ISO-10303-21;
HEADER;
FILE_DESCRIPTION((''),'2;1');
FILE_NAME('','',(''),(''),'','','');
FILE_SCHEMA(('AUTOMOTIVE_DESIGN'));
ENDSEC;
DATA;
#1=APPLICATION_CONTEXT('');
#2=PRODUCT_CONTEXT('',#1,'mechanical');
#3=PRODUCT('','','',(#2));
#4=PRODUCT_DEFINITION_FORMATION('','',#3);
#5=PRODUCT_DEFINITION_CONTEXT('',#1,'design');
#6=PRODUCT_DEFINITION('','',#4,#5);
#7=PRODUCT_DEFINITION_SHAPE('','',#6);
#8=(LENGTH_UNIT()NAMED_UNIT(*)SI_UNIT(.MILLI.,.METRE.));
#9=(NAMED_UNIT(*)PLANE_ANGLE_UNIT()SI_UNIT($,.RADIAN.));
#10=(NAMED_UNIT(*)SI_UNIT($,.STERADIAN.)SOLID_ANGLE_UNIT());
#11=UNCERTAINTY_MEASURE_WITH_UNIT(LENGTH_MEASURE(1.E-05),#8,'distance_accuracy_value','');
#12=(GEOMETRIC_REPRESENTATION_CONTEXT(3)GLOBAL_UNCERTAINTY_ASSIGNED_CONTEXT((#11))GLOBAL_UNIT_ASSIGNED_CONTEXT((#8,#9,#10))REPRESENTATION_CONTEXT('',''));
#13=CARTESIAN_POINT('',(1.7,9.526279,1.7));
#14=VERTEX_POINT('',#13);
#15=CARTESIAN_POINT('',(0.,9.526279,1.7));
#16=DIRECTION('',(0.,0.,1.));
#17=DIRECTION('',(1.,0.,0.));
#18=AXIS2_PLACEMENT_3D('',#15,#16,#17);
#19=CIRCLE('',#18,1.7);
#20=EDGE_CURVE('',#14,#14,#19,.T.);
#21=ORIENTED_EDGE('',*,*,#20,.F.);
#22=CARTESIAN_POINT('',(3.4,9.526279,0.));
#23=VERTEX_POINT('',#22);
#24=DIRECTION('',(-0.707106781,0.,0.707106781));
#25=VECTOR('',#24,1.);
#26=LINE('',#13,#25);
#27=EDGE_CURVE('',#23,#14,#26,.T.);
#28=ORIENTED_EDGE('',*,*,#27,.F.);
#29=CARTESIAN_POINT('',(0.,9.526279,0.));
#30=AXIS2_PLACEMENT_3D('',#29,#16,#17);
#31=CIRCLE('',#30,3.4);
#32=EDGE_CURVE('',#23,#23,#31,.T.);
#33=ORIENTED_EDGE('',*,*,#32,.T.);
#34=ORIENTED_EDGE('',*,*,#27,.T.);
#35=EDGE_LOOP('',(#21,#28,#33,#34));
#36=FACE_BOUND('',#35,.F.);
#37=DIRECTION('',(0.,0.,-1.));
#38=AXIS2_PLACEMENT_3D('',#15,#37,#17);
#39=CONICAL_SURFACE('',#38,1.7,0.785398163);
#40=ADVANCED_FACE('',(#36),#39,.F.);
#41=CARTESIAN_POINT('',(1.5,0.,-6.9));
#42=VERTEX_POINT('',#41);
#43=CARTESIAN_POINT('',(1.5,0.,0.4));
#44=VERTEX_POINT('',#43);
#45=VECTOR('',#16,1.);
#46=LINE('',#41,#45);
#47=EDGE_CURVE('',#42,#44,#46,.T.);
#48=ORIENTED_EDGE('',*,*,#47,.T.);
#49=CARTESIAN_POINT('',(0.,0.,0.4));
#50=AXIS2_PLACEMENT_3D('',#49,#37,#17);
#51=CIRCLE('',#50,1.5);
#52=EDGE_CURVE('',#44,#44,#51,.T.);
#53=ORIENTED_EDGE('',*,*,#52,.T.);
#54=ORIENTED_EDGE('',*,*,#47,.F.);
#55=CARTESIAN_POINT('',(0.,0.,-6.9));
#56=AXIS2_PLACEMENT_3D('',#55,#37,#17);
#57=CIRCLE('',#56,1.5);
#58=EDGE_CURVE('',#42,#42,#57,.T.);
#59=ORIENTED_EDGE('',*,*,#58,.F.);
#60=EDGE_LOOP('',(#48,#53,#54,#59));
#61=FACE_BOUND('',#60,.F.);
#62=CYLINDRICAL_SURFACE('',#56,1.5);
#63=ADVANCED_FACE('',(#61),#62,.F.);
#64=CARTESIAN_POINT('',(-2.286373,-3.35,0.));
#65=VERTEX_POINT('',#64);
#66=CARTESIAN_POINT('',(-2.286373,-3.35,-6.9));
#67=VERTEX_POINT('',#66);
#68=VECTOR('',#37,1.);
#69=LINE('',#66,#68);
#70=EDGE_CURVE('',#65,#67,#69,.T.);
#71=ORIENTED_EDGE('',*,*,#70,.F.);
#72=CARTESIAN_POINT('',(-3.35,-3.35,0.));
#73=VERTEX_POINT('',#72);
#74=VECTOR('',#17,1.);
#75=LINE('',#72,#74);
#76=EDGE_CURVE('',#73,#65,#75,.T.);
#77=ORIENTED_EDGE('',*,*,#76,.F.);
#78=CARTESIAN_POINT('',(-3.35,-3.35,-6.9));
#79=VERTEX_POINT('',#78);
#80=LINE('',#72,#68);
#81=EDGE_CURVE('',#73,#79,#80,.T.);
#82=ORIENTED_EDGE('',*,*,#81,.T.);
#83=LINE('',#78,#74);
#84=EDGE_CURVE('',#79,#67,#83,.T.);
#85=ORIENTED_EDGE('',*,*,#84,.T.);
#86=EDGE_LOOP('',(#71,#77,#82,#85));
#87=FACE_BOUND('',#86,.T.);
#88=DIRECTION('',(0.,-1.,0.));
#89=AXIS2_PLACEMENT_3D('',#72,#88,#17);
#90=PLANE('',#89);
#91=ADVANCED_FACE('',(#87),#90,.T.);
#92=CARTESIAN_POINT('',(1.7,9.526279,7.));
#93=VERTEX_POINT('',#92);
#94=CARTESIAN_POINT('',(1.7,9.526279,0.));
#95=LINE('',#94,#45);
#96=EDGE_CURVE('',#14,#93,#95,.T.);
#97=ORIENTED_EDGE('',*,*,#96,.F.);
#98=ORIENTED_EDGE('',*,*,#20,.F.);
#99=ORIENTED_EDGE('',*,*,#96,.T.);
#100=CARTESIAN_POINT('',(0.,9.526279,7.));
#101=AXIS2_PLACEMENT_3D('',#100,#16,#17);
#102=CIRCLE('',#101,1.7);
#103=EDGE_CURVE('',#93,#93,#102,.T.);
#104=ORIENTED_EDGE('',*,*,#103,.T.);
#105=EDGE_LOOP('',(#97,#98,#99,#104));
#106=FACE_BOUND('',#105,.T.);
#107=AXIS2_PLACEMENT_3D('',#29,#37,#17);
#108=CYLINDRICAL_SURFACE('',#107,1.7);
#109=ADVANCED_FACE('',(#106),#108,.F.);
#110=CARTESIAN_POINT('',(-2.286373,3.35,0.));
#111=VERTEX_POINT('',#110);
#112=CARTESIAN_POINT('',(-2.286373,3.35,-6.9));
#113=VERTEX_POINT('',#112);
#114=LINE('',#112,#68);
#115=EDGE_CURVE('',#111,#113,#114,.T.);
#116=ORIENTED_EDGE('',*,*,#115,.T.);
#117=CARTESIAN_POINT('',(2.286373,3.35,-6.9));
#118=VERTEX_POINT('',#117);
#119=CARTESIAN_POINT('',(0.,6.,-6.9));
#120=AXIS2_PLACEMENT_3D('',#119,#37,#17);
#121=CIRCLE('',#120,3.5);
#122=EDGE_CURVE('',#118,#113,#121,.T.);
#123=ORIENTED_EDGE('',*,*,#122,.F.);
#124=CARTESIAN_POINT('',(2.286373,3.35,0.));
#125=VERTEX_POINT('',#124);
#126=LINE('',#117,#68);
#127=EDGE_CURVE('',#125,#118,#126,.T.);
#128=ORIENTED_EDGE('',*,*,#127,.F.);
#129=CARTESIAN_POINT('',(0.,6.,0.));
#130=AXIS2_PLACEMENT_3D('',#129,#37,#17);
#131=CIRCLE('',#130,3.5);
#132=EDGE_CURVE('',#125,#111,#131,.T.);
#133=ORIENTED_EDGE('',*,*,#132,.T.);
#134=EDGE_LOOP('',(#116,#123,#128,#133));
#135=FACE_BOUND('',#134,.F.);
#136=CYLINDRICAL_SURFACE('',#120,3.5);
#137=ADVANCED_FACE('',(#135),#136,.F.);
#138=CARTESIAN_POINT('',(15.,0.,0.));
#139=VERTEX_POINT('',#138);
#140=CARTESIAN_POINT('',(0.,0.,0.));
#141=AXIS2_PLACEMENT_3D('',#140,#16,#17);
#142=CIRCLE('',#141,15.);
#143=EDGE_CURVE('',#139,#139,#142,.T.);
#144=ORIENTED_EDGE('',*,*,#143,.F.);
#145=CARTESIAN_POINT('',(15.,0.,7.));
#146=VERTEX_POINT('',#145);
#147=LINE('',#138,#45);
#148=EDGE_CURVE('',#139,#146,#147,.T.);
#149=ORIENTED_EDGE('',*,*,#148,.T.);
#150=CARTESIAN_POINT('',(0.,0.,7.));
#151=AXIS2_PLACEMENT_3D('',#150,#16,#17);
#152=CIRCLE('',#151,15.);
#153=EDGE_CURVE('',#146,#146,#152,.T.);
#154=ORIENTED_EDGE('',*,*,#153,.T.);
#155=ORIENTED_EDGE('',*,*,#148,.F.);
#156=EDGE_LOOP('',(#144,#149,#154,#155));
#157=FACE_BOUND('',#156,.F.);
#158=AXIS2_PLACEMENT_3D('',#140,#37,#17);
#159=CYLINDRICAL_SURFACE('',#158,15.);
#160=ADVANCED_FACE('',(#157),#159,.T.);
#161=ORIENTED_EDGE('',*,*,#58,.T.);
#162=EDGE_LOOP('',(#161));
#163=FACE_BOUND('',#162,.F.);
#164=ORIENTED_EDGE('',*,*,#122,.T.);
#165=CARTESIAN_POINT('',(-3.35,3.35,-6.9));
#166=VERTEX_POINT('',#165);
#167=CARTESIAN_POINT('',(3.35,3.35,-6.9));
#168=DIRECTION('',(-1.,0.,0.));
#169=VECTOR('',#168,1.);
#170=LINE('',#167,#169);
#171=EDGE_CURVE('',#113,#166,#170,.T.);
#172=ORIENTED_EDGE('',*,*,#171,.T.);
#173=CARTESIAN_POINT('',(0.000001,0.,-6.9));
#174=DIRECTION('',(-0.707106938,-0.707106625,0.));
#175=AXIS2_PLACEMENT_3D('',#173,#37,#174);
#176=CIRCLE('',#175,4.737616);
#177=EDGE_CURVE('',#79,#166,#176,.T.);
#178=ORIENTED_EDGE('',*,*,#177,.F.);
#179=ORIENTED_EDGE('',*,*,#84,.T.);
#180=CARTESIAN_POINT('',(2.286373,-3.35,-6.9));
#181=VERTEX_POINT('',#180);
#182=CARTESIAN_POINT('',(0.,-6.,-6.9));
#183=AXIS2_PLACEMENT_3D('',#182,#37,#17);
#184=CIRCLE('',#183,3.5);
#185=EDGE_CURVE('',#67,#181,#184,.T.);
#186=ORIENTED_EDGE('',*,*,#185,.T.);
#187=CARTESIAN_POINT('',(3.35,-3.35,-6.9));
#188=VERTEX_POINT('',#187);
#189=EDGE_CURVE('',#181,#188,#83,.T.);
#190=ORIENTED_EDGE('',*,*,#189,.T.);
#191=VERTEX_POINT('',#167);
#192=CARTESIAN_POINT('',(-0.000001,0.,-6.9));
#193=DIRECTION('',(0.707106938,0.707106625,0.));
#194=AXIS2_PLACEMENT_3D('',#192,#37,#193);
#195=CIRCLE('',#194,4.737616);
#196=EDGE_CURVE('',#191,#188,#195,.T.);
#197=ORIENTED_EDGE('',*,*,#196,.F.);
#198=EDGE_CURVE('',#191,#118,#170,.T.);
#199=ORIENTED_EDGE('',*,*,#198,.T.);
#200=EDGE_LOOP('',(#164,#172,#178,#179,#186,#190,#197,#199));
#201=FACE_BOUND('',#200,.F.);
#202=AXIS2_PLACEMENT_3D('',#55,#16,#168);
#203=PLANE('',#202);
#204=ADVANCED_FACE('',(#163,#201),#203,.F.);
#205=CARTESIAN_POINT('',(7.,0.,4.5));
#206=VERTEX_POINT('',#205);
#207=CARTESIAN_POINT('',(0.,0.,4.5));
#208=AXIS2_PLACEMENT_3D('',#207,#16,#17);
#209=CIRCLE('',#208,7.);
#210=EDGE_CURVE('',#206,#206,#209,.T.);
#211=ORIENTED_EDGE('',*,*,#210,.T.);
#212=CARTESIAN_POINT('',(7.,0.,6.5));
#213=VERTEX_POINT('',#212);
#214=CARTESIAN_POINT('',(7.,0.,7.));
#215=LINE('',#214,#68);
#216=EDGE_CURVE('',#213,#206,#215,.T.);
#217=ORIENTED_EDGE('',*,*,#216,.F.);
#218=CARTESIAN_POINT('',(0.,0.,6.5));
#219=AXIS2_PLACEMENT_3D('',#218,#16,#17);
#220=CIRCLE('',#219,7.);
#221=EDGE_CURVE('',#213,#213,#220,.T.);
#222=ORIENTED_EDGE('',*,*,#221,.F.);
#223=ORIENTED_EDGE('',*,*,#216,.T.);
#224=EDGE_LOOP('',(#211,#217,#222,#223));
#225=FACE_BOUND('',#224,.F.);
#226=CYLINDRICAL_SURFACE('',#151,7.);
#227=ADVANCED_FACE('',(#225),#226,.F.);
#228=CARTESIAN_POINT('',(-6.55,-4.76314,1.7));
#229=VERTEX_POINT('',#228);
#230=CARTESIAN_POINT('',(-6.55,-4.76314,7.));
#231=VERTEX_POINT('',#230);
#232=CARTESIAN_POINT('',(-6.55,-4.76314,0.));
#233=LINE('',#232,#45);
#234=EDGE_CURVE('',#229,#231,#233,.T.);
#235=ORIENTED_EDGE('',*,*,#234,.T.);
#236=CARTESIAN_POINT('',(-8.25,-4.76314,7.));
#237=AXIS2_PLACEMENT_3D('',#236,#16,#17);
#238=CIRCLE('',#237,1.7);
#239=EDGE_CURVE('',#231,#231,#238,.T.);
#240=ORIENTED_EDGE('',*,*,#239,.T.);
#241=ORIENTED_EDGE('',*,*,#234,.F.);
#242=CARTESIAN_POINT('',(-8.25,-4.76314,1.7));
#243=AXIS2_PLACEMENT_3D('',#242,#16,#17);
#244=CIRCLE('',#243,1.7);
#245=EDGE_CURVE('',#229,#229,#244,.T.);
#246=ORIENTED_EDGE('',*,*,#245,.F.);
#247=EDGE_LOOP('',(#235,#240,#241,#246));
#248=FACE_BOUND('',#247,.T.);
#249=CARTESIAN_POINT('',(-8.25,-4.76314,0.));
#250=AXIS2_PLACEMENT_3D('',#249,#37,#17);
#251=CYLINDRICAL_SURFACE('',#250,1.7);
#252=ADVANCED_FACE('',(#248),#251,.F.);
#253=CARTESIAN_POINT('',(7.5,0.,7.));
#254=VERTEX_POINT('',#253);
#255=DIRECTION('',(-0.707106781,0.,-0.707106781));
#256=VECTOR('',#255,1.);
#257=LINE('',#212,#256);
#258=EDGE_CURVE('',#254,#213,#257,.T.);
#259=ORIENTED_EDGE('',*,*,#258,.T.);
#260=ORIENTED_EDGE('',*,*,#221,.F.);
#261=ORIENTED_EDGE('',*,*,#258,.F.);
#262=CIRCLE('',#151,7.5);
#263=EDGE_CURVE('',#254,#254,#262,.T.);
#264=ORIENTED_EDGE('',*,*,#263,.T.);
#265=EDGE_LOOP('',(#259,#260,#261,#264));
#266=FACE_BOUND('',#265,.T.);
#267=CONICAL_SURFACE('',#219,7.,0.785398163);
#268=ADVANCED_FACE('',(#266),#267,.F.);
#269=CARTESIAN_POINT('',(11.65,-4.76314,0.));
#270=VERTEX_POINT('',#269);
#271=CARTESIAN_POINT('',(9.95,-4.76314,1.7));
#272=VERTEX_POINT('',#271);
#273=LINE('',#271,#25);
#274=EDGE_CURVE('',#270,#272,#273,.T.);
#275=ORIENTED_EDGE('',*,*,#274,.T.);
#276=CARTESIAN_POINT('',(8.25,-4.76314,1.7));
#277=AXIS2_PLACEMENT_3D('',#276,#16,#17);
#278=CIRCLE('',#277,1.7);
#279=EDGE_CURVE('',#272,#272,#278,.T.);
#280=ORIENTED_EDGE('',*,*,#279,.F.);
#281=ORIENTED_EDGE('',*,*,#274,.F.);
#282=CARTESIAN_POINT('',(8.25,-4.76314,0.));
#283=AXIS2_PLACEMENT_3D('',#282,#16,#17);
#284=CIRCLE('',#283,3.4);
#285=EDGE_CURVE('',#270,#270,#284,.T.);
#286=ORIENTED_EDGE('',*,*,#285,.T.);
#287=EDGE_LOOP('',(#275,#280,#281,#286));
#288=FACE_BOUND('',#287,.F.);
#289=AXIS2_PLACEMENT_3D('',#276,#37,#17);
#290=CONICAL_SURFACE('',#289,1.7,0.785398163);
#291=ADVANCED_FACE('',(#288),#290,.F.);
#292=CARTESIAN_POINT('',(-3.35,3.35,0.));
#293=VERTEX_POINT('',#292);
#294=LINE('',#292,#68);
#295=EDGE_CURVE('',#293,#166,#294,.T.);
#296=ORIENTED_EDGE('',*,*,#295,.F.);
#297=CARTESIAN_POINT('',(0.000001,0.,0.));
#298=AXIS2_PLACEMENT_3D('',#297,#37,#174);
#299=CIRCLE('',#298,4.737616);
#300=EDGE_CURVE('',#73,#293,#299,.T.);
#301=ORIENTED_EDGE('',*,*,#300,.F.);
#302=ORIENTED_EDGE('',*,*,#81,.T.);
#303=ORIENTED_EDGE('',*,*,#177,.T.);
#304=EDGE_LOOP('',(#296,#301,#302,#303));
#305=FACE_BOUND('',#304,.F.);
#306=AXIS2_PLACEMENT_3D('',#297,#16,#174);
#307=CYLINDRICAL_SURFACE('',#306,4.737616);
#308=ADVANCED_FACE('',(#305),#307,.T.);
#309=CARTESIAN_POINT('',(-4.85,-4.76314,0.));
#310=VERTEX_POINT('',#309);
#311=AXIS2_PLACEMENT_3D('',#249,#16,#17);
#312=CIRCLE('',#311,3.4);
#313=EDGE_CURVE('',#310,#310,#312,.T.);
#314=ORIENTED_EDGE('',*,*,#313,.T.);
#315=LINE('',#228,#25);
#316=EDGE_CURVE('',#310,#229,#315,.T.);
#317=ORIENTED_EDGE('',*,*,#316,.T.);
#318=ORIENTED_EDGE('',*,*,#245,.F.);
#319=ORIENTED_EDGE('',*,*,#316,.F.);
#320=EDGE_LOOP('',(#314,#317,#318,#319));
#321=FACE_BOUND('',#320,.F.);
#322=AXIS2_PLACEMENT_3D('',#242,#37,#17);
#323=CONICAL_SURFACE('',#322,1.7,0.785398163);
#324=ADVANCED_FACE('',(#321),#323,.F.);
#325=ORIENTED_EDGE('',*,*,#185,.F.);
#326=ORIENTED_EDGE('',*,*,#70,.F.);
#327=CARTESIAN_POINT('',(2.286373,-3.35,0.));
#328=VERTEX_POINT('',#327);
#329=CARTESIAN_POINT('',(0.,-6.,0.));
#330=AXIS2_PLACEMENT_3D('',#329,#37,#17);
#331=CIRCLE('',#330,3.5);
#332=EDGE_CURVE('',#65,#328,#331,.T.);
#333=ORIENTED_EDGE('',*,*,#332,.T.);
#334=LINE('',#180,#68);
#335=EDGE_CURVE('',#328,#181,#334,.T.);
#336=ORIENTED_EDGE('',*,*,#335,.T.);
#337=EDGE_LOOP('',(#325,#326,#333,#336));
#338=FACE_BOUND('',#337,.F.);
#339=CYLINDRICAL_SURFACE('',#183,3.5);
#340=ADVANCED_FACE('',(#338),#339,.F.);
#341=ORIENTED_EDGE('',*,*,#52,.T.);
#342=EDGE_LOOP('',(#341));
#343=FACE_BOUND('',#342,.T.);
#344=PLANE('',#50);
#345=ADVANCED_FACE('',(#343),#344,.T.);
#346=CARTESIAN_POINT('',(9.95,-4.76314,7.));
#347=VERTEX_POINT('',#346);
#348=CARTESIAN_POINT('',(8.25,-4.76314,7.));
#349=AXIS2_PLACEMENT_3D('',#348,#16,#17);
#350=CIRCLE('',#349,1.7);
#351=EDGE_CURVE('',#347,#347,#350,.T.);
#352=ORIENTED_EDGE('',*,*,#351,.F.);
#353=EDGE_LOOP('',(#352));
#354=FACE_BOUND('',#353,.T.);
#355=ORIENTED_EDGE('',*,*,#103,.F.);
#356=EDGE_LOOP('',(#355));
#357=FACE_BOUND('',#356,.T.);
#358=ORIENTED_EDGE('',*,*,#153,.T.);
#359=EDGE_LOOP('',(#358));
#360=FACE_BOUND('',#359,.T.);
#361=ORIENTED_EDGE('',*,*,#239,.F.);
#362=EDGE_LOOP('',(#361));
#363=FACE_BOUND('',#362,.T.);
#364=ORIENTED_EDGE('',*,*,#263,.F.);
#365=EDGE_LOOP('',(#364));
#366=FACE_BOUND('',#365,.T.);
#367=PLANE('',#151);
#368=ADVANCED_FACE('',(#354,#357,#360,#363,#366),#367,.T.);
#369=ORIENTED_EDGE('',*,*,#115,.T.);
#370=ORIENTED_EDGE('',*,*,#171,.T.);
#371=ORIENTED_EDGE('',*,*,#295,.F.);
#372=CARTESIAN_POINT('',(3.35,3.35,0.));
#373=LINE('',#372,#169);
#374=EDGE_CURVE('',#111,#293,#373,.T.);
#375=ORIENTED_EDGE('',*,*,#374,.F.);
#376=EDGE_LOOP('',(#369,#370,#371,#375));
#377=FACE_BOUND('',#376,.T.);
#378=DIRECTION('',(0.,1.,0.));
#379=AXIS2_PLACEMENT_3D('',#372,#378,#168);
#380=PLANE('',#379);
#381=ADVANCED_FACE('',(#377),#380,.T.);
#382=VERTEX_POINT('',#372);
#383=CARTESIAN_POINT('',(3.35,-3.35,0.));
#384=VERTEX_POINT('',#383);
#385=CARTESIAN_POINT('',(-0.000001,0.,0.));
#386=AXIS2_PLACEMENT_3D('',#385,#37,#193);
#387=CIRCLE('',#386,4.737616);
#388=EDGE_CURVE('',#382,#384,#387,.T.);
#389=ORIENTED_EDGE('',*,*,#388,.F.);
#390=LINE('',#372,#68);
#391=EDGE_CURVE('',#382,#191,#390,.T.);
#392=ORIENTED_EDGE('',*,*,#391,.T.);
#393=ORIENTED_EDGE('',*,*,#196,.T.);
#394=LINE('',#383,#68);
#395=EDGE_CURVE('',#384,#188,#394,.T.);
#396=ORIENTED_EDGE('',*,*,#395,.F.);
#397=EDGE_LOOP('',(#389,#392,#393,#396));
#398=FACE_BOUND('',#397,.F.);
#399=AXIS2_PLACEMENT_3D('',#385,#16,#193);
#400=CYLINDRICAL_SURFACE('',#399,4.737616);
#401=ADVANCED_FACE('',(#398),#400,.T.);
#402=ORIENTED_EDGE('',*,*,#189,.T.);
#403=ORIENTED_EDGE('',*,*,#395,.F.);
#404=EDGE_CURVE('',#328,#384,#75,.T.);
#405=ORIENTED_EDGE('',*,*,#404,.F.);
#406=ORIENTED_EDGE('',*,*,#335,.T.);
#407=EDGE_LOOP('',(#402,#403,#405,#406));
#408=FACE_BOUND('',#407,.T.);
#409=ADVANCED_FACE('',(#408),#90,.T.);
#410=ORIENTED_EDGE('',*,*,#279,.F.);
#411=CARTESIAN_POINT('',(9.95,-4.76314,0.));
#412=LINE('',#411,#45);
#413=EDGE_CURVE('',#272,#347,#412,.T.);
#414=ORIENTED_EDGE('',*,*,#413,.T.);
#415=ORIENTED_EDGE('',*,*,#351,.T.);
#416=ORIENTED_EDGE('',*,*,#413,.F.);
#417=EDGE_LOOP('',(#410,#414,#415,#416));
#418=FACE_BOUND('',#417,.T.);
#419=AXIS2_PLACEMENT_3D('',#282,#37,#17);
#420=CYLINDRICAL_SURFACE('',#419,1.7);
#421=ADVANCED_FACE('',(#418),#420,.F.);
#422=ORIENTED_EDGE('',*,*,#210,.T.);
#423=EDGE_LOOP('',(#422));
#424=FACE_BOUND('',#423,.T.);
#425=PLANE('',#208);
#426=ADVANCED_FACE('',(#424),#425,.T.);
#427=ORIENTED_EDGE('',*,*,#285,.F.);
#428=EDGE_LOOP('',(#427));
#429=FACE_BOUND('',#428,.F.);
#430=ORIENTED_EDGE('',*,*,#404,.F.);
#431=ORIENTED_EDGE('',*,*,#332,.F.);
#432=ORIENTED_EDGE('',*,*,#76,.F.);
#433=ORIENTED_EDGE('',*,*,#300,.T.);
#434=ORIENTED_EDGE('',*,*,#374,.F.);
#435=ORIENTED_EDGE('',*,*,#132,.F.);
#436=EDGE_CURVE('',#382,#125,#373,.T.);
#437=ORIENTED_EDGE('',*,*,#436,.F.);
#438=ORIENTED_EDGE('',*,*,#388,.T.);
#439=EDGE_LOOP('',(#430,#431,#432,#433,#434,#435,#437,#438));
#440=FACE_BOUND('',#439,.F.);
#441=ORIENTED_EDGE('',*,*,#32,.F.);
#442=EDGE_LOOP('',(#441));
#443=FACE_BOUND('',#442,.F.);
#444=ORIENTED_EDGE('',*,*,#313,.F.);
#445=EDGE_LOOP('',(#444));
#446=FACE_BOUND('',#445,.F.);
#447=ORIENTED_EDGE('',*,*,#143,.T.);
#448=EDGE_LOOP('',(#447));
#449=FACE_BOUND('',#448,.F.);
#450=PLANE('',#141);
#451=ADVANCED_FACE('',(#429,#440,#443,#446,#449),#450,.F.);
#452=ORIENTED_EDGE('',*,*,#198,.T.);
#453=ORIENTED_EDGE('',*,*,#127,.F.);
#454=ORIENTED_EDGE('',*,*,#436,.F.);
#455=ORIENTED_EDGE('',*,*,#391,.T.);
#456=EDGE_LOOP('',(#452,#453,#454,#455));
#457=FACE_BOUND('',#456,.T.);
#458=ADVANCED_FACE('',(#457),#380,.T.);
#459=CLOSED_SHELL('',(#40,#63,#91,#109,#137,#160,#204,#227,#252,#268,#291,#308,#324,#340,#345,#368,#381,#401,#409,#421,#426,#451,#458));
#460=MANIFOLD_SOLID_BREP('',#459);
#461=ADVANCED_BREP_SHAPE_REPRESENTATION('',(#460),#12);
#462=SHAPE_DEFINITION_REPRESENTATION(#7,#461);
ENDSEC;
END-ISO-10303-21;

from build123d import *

# Parameters (mm, degrees)
SKETCH_R        = 15
SKETCH_R_2      = 1.7
PAD_DEPTH       = 7
PAD001_DEPTH    = 6.9
SKETCH006_R     = 3.5
POCKET003_DEPTH = 6.9
SKETCH003_R     = 1.5
POCKET004_DEPTH = 7.3
SKETCH008_R     = 7
POCKET_DEPTH    = 2.5
CHAMFER_SIZE    = 1.7
CHAMFER001_SIZE = 1.7
CHAMFER002_SIZE = 1.7
CHAMFER003_SIZE = 0.5


with BuildPart() as part:
    # Sketch → Pad (new body)
    with BuildSketch(Plane.XY):
        Circle(SKETCH_R)
        with Locations((0, 9.526279)):
            Circle(SKETCH_R_2, mode=Mode.SUBTRACT)
        with Locations((-8.25, -4.76314)):
            Circle(SKETCH_R_2, mode=Mode.SUBTRACT)
        with Locations((8.25, -4.76314)):
            Circle(SKETCH_R_2, mode=Mode.SUBTRACT)
    extrude(amount=PAD_DEPTH)

    # Sketch004 → Pad001 (new body)
    with BuildSketch(Plane(origin=(0, 0, 0), x_dir=(1, 0, 0), z_dir=(0, 0, -1))):
        with BuildLine():
            Line((-3.35, 3.35), (3.35, 3.35))
            ThreePointArc((3.35, -3.35), (4.737615, 0), (3.35, 3.35))
            Line((3.35, -3.35), (-3.35, -3.35))
            ThreePointArc((-3.35, 3.35), (-4.737615, 0), (-3.35, -3.35))
        make_face()
    extrude(amount=PAD001_DEPTH)

    # Sketch006 → Pocket003 (cut)
    with BuildSketch(Plane(origin=(0, 0, -6.9), x_dir=(1, 0, 0), z_dir=(0, 0, -1))):
        with Locations((0, 6)):
            Circle(SKETCH006_R)
        with Locations((0, -6)):
            Circle(SKETCH006_R)
    extrude(amount=-POCKET003_DEPTH, mode=Mode.SUBTRACT)

    # Sketch003 → Pocket004 (cut)
    with BuildSketch(Plane(origin=(0, 0, -6.9), x_dir=(1, 0, 0), z_dir=(0, 0, -1))):
        Circle(SKETCH003_R)
    extrude(amount=-POCKET004_DEPTH, mode=Mode.SUBTRACT)

    # Sketch008 → Pocket (cut)
    with BuildSketch(Plane.XY.offset(7)):
        Circle(SKETCH008_R)
    extrude(amount=-POCKET_DEPTH, mode=Mode.SUBTRACT)

    # Chamfer
    chamfer_edges = [part.edges().sort_by_distance(p)[0] for p in [
        (-9.95, -4.76314, 0),
    ]]
    chamfer(chamfer_edges, length=CHAMFER_SIZE)

    # Chamfer001
    chamfer001_edges = [part.edges().sort_by_distance(p)[0] for p in [
        (6.55, -4.76314, 0),
    ]]
    chamfer(chamfer001_edges, length=CHAMFER001_SIZE)

    # Chamfer002
    chamfer002_edges = [part.edges().sort_by_distance(p)[0] for p in [
        (-0.219827, 11.212007, 0),
    ]]
    chamfer(chamfer002_edges, length=CHAMFER002_SIZE)

    # Chamfer003
    chamfer003_edges = [part.edges().sort_by_distance(p)[0] for p in [
        (-7, 0, 7),
    ]]
    chamfer(chamfer003_edges, length=CHAMFER003_SIZE)


solid = part.part
